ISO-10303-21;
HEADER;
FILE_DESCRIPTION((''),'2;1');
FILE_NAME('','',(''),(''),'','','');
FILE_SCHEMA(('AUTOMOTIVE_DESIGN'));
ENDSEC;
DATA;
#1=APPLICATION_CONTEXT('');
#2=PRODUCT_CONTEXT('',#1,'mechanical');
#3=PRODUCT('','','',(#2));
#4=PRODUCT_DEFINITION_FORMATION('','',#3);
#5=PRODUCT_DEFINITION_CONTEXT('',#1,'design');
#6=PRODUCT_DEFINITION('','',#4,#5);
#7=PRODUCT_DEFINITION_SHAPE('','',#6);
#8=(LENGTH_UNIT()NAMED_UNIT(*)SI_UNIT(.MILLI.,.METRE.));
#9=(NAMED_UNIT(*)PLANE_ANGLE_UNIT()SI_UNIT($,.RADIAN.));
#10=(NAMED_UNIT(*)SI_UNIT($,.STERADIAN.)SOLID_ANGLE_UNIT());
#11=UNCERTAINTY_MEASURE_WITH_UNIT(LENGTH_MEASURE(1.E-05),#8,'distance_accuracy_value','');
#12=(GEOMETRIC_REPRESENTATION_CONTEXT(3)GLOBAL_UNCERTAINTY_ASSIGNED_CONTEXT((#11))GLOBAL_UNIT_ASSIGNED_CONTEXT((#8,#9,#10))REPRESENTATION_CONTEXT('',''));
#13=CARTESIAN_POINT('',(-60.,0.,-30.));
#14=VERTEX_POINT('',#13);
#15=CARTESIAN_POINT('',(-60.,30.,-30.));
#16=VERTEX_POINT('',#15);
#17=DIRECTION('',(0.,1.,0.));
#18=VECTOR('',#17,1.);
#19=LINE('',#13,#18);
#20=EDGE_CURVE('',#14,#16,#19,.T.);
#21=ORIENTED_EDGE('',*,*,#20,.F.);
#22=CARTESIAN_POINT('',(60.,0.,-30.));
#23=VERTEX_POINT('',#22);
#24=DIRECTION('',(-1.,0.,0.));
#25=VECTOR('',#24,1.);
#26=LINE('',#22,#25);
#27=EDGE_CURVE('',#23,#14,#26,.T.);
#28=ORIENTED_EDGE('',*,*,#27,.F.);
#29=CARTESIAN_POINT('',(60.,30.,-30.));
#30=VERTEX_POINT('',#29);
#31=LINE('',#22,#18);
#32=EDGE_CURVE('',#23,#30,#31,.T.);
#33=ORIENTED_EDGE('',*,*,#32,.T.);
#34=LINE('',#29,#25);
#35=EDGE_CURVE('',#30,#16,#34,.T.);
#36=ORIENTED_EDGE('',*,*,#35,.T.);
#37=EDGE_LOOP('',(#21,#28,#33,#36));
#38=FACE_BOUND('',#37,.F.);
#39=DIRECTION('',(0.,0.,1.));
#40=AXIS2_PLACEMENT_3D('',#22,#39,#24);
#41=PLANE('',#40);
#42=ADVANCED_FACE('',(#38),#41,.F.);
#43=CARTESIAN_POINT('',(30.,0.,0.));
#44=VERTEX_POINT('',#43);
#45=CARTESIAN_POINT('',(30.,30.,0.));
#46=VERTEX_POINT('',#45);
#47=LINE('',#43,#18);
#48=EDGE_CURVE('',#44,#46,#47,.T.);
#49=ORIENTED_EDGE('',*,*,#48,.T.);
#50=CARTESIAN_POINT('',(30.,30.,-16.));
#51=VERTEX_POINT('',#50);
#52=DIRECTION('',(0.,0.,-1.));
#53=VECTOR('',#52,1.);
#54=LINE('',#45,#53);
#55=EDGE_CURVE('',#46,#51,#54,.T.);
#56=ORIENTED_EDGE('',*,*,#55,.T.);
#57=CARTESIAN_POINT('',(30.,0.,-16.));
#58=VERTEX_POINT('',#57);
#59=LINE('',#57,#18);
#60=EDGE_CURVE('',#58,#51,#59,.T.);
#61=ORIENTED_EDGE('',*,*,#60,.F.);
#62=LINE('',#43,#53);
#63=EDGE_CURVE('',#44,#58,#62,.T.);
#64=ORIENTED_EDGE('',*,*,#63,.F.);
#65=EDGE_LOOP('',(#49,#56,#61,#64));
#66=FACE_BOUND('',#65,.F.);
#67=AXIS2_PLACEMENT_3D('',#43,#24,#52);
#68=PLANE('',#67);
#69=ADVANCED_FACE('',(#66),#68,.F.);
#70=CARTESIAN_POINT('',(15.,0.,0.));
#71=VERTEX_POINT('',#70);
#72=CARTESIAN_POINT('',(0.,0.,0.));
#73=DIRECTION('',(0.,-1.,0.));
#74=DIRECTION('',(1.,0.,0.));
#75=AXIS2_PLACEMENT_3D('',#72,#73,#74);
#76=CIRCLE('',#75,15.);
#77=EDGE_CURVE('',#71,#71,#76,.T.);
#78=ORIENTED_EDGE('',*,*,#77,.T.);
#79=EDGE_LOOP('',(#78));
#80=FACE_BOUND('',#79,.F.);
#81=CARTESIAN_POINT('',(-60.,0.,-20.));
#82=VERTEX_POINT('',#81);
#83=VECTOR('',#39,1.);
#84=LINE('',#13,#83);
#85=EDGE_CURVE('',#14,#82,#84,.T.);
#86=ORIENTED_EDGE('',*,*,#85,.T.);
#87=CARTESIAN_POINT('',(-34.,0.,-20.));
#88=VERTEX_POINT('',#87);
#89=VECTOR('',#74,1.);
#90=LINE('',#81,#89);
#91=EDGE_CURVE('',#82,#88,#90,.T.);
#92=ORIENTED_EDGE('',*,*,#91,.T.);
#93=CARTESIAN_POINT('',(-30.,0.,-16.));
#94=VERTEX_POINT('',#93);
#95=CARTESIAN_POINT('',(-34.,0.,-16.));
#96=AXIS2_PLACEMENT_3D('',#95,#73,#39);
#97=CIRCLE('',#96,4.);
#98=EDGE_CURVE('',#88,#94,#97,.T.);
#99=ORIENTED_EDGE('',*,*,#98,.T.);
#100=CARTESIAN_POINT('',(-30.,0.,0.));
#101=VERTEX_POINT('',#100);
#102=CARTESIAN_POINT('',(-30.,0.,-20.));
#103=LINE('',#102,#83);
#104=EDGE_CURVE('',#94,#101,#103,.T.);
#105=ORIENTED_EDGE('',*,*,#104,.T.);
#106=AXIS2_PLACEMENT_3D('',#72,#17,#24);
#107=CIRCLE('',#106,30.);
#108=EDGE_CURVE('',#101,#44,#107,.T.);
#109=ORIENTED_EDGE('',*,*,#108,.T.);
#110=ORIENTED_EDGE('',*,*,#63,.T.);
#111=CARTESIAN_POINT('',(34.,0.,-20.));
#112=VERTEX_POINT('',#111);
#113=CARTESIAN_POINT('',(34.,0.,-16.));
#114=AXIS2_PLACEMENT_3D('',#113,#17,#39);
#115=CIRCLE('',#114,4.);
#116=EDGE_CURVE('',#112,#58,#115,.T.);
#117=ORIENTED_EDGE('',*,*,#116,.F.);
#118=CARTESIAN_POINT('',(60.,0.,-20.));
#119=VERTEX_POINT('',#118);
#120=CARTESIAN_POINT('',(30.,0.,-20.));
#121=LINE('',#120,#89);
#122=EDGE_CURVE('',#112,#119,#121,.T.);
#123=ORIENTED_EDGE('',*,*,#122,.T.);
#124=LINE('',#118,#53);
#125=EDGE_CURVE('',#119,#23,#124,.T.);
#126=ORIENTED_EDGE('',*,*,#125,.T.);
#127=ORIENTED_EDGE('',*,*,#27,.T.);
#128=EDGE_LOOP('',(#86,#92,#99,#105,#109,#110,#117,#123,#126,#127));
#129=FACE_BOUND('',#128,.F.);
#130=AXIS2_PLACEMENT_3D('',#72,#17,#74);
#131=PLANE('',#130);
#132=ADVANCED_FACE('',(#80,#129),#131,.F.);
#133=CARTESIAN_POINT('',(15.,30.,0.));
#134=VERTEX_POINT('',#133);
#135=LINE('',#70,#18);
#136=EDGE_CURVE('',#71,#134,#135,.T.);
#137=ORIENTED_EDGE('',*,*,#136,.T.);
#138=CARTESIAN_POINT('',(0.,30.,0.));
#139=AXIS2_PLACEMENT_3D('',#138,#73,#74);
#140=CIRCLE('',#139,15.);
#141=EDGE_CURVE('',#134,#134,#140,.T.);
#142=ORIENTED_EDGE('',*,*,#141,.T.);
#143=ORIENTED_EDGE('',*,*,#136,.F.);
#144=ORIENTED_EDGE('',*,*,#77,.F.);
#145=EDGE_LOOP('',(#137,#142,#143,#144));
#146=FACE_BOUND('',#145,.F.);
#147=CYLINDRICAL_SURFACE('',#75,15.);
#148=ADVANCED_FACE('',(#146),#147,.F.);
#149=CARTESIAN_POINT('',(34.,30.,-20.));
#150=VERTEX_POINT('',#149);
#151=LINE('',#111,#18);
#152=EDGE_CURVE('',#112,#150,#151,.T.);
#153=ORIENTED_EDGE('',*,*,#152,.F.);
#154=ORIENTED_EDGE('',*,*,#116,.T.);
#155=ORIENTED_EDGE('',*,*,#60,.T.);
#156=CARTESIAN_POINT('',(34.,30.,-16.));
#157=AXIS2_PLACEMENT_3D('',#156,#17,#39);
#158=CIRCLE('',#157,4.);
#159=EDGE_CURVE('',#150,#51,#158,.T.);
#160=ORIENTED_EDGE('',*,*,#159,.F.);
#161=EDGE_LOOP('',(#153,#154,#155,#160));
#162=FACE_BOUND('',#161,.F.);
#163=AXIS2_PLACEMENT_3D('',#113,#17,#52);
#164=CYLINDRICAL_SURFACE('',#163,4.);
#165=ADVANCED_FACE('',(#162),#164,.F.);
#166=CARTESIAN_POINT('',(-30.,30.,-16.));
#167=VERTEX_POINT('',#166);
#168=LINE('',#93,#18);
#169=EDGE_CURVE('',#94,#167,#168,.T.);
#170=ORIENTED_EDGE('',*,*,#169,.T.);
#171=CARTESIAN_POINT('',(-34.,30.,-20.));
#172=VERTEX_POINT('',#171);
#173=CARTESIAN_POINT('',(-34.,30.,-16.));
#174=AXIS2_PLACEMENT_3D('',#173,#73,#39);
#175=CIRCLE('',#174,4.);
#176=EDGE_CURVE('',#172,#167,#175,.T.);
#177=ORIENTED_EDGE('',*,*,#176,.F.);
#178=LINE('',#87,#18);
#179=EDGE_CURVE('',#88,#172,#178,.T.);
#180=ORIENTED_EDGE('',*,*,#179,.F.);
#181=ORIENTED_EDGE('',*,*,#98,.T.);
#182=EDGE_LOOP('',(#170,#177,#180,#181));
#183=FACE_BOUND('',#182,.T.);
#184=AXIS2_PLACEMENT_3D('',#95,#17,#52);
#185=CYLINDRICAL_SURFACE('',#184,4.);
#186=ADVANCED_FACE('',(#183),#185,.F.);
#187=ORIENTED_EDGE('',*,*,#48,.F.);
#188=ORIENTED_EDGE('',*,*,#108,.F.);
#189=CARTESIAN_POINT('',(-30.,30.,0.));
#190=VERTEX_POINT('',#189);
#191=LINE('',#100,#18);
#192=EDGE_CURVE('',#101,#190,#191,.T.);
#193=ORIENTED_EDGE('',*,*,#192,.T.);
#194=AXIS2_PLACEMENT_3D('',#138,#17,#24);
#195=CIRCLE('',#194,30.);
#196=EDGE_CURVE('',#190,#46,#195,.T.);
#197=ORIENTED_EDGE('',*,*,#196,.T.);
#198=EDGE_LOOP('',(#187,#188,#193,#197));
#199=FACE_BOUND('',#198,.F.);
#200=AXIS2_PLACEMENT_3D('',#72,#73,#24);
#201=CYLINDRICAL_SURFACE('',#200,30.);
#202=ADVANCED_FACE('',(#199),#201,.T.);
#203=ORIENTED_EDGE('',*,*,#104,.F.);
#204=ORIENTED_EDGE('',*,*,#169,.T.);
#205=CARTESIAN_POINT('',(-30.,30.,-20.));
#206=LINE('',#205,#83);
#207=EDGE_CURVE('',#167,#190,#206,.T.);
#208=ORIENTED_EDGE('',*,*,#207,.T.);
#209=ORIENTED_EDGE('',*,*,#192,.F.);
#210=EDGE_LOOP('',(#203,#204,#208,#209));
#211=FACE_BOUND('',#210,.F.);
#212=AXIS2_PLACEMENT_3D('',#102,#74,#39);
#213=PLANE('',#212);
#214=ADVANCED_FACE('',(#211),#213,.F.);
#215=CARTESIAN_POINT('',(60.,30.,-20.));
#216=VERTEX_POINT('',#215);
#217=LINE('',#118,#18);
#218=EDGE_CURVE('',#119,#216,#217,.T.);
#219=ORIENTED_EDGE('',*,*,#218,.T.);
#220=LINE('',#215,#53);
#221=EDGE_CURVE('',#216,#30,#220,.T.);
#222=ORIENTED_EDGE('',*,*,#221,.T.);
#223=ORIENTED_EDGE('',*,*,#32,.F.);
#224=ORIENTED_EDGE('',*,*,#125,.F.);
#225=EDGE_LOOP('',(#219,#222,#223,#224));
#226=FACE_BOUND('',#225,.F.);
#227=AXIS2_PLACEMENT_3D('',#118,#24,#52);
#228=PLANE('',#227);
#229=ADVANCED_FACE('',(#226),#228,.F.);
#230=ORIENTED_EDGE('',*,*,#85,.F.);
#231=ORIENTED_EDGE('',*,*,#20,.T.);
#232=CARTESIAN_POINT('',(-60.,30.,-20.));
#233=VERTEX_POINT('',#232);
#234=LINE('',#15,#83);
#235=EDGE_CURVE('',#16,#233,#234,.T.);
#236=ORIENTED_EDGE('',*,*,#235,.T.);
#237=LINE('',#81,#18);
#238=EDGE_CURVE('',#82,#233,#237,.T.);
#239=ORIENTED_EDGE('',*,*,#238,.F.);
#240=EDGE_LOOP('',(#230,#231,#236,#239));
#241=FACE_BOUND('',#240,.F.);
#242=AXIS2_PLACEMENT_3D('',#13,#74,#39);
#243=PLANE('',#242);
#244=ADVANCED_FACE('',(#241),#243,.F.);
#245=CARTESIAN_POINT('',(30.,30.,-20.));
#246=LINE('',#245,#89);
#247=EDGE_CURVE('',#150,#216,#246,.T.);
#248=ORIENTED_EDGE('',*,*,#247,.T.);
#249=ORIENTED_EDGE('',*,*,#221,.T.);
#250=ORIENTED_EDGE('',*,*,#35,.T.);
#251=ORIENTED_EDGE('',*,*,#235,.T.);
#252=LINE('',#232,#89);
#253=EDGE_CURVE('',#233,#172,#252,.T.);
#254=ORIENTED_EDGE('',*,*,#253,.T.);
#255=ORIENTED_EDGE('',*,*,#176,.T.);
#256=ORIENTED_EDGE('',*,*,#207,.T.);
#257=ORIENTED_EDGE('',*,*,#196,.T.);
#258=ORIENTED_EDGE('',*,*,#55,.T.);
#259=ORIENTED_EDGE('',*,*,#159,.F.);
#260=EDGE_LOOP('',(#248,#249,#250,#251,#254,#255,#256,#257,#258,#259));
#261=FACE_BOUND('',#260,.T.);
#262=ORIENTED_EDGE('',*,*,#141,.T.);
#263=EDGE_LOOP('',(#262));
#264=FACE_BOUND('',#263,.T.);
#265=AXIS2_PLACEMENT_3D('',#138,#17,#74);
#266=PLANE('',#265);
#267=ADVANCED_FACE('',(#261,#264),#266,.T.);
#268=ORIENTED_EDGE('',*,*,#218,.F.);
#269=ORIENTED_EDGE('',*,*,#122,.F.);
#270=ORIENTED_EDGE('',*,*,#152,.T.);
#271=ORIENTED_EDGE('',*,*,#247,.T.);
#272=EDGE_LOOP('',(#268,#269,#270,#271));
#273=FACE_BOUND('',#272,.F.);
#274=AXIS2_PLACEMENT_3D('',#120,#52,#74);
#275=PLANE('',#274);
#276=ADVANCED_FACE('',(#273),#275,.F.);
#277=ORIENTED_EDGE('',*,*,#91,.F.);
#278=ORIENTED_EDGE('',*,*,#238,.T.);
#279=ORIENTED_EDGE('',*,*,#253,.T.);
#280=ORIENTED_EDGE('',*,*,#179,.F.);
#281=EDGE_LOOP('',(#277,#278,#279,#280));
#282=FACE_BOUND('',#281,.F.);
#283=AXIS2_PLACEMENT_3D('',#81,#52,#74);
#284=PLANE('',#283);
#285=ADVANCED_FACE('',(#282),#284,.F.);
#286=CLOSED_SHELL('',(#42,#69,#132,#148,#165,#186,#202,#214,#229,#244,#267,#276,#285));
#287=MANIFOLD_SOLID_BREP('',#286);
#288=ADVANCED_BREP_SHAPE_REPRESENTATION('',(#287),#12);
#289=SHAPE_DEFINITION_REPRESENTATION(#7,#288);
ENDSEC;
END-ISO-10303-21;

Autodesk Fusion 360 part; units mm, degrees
sketch "Sketch1" plane through (0, 0, 0) normal (0, 1, 0) x (1, 0, 0)
  line L0 (-60.0453, 0.0038) -> (60.0453, 0.0038)
  line L1 (60.0453, 0.0038) -> (60.0453, -10.0038)
  line L2 (60.0453, -10.0038) -> (-60.0453, -10.0038)
  line L3 (-60.0453, -10.0038) -> (-60.0453, 0.0038)
  line L4 (-60.0453, 0.0038) -> (60.0453, -10.0038) construction
  line L5 (60.0453, 0.0038) -> (-60.0453, -10.0038) construction
  line L6 (-30, -10) -> (30, -10)
  line L7 (30, -10) -> (30, -30)
  line L8 (-30, -30) -> (-30, -10)
  line L9 (-30, -10) -> (30, -30) construction
  line L10 (30, -10) -> (-30, -30) construction
  arc A0 (-30, -30) -> (30, -30) centre (0, -30) ccw
  circle A1 centre (0, -30) radius 15
  line L11 (30, -30) -> (15, -30)
  line L12 (-15, -30) -> (-30, -30)
  point P0 (0, -5)
  point P1 (0, -20)
  dimension "d3" = 60
  dimension "d4" = 20
sketch "Sketch2" plane through (0, 0, 0) normal (0, 1, 0) x (1, 0, 0)
  line L0 (60, 30) -> (-60, 30)
  line L1 (-60, 30) -> (-60, 20)
  line L2 (-60, 20) -> (-30, 20)
  line L3 (-30, 20) -> (-30, 0)
  arc A0 (-30, 0) -> (30, 0) centre (0, 0) ccw
  line L4 (30, 0) -> (30, 20)
  line L5 (30, 20) -> (60, 20)
  line L6 (60, 20) -> (60, 30)
  dimension "d11" = 120
  dimension "d12" = 60
  dimension "d13" = 30
  dimension "d14" = 30
  dimension "d15" = 10
extrude "Extrude2" add sketch "Sketch2" along normal blind 30
sketch "Sketch3" plane through (0, 0, 0) normal (0, -1, 0) x (1, 0, 0)
  line L0 (60, -30) -> (60, -20)
  line L1 (60, -20) -> (30, -20)
  line L2 (30, -20) -> (30, 0)
  arc A0 (30, 0) -> (-30, 0) centre (0, 0) ccw
  line L3 (-30, 0) -> (-30, -20)
  line L4 (-30, -20) -> (-60, -20)
  line L5 (-60, -20) -> (-60, -30)
  line L6 (-60, -30) -> (60, -30)
  circle A1 centre (0, 0) radius 15
  dimension "d18" = 30
extrude "Extrude3" cut sketch "Sketch3" against normal blind 30 contours A1
fillet "Fillet5" radius 4 2 edges at (-30, 15, -20) (30, 15, -20)
